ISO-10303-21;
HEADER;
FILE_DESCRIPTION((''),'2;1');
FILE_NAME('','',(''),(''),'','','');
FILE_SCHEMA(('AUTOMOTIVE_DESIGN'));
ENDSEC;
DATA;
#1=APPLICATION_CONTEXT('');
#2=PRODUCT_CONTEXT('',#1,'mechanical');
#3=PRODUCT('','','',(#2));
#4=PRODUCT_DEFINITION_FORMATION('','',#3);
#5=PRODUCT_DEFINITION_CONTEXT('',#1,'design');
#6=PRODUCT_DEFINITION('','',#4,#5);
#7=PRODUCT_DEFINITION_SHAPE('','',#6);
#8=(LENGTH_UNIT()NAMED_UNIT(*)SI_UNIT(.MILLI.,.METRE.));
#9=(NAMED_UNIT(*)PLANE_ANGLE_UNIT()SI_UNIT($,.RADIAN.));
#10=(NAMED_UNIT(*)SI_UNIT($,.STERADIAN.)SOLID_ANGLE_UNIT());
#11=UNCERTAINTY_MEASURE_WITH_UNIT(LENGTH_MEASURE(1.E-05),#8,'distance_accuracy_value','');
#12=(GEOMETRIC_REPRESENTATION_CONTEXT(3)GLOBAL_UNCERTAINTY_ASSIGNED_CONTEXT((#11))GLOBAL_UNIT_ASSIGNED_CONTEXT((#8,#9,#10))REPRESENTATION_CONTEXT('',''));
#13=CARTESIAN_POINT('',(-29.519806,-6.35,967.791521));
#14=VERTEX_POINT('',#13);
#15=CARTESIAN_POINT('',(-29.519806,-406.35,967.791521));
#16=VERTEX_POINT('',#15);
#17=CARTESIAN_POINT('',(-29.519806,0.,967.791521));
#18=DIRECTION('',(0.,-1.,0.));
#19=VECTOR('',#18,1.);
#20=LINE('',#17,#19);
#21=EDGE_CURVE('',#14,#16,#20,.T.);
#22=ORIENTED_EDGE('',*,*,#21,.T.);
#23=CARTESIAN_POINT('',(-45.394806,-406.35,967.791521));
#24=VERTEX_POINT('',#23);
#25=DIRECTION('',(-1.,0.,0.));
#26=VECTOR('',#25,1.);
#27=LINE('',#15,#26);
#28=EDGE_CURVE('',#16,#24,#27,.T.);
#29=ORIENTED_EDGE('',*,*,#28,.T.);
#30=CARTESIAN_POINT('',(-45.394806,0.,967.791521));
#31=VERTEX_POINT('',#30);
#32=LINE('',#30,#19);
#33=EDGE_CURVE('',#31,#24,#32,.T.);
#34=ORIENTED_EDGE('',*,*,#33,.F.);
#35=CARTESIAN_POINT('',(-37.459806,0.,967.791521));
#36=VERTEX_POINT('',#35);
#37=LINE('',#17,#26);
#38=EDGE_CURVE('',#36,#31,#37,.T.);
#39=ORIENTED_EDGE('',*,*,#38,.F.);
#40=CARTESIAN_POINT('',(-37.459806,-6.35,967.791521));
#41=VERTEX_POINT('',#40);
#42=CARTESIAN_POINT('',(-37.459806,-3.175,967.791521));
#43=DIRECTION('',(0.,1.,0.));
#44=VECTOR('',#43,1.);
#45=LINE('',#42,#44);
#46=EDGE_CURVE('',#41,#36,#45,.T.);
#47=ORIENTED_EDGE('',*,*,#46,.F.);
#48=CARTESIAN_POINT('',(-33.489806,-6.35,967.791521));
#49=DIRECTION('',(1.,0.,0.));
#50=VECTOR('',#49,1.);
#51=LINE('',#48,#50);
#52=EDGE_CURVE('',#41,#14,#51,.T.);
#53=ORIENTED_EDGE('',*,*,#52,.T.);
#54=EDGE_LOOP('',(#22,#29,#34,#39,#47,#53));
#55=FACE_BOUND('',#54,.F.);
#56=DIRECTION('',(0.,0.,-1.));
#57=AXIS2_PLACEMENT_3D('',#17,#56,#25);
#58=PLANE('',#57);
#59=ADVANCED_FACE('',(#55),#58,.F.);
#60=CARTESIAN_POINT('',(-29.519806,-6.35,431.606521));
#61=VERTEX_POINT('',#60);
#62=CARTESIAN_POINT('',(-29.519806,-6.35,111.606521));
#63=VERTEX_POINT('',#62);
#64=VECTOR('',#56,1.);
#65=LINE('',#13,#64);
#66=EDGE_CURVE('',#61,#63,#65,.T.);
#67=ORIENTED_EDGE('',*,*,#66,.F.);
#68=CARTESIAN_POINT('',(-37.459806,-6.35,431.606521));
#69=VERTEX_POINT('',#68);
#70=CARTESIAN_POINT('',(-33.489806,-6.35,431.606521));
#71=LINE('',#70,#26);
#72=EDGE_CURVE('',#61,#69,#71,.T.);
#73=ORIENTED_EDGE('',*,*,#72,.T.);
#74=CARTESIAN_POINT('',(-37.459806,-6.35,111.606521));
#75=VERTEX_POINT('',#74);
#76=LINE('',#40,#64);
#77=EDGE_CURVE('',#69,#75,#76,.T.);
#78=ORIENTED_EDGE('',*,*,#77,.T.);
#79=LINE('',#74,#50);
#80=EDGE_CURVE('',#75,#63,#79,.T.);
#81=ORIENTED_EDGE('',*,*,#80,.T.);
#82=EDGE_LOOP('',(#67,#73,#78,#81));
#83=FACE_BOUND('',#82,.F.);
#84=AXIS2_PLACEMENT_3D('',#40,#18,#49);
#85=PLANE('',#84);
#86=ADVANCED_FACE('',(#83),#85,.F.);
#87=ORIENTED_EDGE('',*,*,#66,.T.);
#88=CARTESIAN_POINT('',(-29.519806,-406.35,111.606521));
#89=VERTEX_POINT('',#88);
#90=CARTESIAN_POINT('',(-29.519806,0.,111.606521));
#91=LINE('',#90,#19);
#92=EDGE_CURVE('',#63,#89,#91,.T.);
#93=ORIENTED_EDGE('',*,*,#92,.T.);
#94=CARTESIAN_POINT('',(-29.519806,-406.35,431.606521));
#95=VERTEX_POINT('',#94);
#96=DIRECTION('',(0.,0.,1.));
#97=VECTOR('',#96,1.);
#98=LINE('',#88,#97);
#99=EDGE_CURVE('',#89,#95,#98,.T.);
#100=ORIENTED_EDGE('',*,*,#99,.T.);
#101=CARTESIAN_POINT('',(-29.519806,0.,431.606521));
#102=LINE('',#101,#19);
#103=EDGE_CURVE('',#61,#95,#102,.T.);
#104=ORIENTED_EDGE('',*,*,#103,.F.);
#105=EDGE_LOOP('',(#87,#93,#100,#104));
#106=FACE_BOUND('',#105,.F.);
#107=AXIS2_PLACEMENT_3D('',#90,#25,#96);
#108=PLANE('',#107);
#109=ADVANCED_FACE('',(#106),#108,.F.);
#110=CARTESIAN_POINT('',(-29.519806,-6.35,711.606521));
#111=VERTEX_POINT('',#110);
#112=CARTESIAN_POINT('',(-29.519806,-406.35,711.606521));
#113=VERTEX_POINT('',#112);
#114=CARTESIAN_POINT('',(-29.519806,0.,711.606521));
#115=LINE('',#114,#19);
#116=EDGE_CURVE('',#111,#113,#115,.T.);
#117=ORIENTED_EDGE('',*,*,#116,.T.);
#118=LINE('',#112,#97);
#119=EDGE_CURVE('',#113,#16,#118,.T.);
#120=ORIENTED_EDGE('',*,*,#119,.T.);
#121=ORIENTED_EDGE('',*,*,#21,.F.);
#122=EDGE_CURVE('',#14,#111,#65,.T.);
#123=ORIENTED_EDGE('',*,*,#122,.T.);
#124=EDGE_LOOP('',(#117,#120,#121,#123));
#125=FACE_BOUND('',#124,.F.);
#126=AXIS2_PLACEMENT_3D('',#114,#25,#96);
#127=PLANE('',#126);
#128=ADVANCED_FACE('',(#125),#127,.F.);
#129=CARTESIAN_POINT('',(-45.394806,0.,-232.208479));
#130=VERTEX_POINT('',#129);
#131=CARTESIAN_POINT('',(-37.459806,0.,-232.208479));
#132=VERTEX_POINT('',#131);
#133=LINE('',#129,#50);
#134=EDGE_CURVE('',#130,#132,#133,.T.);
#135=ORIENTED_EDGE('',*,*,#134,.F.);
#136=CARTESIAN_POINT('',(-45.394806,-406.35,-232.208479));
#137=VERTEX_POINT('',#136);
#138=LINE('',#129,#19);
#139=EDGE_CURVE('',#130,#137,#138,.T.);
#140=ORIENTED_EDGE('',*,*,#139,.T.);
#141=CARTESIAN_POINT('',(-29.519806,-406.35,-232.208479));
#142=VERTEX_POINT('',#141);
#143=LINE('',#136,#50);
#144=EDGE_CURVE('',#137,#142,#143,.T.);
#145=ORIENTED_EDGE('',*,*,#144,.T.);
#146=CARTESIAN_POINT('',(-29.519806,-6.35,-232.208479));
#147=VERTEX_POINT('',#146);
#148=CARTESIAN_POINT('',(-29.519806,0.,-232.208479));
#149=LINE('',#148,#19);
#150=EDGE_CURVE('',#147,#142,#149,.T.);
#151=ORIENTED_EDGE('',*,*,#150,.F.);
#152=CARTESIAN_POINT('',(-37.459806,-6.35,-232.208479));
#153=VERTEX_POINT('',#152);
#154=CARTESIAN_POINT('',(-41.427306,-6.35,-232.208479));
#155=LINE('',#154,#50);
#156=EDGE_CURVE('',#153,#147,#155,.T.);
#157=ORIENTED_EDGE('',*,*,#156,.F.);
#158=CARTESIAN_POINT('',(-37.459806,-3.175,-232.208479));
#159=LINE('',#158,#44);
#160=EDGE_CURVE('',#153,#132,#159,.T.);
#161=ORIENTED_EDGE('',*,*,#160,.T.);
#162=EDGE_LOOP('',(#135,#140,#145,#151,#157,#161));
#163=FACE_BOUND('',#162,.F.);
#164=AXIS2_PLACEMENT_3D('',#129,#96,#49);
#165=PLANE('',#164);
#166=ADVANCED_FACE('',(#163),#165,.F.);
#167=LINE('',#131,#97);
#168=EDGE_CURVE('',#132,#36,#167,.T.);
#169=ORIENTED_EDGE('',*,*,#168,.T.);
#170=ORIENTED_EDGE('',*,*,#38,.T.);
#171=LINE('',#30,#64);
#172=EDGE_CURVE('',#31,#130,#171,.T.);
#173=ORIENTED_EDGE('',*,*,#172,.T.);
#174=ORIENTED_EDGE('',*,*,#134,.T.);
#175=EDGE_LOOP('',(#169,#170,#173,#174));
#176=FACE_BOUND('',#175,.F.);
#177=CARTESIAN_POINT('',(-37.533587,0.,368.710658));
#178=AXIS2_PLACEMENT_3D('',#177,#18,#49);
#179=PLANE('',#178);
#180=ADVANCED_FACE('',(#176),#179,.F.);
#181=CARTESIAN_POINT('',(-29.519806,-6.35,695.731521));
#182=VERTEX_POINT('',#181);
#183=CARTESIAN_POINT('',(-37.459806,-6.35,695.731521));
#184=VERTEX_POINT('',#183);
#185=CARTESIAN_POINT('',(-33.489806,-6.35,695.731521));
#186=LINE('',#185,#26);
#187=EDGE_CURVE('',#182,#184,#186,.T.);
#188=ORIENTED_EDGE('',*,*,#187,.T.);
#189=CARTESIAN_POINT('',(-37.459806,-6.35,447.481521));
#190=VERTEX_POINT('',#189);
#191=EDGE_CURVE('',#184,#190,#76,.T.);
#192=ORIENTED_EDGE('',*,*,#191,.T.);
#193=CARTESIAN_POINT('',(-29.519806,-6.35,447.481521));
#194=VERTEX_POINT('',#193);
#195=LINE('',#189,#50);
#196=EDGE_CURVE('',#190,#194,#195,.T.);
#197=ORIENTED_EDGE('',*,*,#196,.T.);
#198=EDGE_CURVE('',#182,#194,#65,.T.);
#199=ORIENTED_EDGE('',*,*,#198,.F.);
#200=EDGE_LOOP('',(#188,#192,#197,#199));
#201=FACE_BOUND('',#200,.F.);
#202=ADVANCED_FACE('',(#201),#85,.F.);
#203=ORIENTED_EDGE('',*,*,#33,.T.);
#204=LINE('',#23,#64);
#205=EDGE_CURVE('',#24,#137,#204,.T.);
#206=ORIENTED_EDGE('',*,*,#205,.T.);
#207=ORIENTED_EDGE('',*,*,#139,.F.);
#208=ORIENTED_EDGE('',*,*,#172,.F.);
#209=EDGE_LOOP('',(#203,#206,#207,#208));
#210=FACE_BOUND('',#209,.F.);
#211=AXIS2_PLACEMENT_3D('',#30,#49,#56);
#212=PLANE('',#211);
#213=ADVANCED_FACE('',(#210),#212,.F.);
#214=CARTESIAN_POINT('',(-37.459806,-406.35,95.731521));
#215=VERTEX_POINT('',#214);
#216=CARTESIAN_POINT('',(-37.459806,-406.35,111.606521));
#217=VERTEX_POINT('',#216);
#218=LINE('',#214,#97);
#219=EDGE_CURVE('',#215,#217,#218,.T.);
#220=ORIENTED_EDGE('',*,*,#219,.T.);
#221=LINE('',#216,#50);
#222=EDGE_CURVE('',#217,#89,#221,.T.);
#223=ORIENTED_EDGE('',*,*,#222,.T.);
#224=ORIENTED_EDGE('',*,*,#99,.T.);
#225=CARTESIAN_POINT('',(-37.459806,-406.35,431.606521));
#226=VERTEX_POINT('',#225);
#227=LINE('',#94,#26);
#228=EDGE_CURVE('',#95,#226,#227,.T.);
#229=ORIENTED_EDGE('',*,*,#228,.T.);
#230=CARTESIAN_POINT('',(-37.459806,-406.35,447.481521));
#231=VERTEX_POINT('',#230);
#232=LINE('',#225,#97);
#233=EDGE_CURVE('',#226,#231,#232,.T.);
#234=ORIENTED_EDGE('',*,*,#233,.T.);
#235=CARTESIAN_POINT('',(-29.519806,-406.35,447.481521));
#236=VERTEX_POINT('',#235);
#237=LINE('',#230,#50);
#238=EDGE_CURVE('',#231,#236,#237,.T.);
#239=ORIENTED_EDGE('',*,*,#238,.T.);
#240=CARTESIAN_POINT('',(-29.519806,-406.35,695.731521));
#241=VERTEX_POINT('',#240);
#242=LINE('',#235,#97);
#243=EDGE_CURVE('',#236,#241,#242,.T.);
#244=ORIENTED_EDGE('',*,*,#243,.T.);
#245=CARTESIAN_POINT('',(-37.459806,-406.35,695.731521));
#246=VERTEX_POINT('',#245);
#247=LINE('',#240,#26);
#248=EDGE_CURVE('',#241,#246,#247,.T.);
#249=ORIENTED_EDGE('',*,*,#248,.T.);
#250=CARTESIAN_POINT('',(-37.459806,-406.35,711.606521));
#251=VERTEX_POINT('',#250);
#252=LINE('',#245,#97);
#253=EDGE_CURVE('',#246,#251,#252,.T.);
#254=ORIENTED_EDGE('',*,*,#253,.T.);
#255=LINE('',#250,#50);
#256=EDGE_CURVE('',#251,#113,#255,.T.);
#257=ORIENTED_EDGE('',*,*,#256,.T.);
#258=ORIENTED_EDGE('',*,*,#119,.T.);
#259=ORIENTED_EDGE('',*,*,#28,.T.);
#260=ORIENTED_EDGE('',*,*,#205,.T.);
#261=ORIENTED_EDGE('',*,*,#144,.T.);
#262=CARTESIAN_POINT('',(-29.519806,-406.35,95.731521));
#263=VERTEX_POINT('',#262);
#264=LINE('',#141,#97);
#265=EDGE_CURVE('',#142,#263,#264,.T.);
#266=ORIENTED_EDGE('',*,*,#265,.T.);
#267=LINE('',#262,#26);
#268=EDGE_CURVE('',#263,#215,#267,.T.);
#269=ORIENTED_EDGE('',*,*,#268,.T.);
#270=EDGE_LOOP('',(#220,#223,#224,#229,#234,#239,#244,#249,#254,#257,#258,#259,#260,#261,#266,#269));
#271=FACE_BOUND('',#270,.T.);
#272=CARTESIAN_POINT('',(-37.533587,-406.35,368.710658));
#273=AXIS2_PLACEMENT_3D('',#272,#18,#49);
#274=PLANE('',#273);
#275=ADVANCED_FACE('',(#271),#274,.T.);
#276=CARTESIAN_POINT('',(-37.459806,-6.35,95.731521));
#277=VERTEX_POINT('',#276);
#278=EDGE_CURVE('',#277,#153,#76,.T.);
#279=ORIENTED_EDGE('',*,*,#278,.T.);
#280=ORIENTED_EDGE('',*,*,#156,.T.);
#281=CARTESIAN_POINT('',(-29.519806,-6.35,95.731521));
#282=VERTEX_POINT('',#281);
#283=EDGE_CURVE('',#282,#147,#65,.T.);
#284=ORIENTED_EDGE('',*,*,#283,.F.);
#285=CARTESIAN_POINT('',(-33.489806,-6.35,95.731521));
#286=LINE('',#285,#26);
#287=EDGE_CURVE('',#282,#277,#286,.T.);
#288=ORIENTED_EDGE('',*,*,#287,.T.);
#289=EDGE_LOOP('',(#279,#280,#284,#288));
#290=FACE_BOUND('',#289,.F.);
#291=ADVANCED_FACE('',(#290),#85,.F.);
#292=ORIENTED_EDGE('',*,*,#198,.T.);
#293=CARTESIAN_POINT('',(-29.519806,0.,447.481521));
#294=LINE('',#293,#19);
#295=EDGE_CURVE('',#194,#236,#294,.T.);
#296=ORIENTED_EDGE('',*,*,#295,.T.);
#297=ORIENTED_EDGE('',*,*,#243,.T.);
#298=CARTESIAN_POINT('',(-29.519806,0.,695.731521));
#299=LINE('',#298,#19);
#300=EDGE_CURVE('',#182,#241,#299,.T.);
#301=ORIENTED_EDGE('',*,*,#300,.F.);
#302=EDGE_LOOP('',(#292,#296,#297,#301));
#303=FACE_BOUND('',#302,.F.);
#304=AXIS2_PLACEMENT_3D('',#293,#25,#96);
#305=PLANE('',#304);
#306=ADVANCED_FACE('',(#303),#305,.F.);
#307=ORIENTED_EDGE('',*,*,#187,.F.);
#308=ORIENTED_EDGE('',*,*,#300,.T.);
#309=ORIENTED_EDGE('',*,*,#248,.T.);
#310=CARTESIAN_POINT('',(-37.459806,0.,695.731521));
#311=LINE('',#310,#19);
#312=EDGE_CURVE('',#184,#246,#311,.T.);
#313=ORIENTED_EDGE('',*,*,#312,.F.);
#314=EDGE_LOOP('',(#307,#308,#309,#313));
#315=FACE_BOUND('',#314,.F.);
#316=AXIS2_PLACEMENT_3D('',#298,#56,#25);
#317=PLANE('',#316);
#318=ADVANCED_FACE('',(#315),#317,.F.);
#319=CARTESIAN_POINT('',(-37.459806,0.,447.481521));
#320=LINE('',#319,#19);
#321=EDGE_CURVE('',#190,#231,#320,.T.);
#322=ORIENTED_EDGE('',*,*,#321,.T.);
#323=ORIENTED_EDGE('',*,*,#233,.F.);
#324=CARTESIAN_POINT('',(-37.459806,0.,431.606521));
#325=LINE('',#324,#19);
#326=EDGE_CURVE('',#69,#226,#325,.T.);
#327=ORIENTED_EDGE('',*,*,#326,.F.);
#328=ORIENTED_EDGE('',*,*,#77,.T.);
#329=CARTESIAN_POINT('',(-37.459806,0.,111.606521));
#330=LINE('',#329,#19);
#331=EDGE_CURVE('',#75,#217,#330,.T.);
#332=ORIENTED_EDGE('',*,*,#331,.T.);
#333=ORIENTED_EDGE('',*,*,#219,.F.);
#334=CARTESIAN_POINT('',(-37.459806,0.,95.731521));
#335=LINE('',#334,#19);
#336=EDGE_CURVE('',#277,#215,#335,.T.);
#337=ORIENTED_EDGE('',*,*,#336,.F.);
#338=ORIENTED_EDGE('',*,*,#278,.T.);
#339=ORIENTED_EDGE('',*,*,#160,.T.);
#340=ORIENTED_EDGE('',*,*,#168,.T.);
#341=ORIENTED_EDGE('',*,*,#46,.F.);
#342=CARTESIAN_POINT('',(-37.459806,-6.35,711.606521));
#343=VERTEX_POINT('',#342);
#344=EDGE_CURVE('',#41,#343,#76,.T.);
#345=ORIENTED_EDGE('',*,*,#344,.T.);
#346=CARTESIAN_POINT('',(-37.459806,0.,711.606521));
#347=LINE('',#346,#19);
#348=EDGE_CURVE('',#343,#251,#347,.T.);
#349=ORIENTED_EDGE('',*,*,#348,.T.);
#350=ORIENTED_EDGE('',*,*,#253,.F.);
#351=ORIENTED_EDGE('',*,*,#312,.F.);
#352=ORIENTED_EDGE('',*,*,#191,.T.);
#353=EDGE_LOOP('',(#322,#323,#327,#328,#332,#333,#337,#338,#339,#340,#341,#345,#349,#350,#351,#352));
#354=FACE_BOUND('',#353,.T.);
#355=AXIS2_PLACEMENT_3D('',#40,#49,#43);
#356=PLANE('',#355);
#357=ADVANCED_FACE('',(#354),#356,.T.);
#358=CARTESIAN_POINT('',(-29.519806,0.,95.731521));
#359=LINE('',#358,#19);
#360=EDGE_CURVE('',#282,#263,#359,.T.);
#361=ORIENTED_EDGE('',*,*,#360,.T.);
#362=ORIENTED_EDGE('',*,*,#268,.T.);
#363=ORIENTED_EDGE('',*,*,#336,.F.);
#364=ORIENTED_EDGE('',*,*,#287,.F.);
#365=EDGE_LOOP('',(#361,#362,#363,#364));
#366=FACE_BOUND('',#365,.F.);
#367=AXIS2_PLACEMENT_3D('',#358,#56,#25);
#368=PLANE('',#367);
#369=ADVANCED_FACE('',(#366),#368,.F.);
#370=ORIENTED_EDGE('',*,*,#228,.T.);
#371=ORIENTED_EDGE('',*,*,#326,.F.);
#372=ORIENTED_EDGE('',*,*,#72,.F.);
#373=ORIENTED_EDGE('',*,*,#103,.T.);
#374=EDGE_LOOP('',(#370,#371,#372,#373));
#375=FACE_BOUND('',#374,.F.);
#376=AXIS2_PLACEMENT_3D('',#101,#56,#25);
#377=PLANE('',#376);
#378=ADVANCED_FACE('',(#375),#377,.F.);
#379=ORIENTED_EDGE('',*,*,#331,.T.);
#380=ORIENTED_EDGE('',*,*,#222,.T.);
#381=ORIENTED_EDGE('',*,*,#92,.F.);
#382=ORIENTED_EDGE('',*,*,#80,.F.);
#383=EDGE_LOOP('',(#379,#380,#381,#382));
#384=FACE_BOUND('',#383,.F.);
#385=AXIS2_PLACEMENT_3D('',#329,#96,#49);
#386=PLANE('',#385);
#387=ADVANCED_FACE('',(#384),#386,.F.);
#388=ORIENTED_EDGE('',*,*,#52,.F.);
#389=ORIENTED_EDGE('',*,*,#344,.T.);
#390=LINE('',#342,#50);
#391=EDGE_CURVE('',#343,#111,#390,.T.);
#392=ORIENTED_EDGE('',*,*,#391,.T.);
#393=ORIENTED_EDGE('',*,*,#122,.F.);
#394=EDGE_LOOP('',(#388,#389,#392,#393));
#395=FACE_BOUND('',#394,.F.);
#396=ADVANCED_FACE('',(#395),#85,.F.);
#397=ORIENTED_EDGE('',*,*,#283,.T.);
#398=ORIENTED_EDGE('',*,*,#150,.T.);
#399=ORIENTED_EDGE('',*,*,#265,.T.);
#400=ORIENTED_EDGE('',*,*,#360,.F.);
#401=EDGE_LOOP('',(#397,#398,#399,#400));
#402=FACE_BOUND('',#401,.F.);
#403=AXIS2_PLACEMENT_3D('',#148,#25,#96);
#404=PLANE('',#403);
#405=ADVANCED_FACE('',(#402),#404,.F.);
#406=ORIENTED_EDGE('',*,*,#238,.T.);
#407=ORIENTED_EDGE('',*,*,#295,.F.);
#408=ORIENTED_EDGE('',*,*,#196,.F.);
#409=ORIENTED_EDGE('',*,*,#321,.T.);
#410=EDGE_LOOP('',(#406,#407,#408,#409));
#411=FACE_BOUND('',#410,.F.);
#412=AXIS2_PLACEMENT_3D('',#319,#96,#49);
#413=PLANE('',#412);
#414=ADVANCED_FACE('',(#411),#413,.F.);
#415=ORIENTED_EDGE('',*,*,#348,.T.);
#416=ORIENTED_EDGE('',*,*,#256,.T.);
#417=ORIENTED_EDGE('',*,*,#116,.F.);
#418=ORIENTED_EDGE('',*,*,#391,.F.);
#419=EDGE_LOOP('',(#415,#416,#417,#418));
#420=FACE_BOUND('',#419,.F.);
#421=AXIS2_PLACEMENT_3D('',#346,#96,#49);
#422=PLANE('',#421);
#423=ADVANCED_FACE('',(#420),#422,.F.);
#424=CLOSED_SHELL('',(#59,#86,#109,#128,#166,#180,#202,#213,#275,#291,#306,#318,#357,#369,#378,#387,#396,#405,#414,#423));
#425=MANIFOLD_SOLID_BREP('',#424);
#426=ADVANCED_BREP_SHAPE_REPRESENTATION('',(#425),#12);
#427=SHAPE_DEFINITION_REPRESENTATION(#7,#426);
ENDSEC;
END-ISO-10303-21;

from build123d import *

# Parameters (mm, degrees)
F1_DEPTH = 406.35
F2_W     = 7.94
F2_H     = 6.35
F3_DEPTH = 1200.001


with BuildPart() as f1:
    # F0 (on Front) → F1 (new body)
    with BuildSketch(Plane.XZ):
        Polygon((-29.519806, 967.791521), (-45.394806, 967.791521), (-45.394806, -232.208479), (-29.519806, -232.208479), (-29.519806, 95.731521), (-37.459806, 95.731521), (-37.459806, 111.606521), (-29.519806, 111.606521), (-29.519806, 431.606521), (-37.459806, 431.606521), (-37.459806, 447.481521), (-29.519806, 447.481521), (-29.519806, 695.731521), (-37.459806, 695.731521), (-37.459806, 711.606521), (-29.519806, 711.606521), align=None)
    extrude(amount=F1_DEPTH)

    # F2 (on face) → F3 (cut, through all)
    with BuildSketch(Plane.XY.offset(967.791521)):
        with Locations((-33.489806, -3.175)):
            Rectangle(F2_W, F2_H)
    extrude(amount=-F3_DEPTH, mode=Mode.SUBTRACT)


solid = f1.part
